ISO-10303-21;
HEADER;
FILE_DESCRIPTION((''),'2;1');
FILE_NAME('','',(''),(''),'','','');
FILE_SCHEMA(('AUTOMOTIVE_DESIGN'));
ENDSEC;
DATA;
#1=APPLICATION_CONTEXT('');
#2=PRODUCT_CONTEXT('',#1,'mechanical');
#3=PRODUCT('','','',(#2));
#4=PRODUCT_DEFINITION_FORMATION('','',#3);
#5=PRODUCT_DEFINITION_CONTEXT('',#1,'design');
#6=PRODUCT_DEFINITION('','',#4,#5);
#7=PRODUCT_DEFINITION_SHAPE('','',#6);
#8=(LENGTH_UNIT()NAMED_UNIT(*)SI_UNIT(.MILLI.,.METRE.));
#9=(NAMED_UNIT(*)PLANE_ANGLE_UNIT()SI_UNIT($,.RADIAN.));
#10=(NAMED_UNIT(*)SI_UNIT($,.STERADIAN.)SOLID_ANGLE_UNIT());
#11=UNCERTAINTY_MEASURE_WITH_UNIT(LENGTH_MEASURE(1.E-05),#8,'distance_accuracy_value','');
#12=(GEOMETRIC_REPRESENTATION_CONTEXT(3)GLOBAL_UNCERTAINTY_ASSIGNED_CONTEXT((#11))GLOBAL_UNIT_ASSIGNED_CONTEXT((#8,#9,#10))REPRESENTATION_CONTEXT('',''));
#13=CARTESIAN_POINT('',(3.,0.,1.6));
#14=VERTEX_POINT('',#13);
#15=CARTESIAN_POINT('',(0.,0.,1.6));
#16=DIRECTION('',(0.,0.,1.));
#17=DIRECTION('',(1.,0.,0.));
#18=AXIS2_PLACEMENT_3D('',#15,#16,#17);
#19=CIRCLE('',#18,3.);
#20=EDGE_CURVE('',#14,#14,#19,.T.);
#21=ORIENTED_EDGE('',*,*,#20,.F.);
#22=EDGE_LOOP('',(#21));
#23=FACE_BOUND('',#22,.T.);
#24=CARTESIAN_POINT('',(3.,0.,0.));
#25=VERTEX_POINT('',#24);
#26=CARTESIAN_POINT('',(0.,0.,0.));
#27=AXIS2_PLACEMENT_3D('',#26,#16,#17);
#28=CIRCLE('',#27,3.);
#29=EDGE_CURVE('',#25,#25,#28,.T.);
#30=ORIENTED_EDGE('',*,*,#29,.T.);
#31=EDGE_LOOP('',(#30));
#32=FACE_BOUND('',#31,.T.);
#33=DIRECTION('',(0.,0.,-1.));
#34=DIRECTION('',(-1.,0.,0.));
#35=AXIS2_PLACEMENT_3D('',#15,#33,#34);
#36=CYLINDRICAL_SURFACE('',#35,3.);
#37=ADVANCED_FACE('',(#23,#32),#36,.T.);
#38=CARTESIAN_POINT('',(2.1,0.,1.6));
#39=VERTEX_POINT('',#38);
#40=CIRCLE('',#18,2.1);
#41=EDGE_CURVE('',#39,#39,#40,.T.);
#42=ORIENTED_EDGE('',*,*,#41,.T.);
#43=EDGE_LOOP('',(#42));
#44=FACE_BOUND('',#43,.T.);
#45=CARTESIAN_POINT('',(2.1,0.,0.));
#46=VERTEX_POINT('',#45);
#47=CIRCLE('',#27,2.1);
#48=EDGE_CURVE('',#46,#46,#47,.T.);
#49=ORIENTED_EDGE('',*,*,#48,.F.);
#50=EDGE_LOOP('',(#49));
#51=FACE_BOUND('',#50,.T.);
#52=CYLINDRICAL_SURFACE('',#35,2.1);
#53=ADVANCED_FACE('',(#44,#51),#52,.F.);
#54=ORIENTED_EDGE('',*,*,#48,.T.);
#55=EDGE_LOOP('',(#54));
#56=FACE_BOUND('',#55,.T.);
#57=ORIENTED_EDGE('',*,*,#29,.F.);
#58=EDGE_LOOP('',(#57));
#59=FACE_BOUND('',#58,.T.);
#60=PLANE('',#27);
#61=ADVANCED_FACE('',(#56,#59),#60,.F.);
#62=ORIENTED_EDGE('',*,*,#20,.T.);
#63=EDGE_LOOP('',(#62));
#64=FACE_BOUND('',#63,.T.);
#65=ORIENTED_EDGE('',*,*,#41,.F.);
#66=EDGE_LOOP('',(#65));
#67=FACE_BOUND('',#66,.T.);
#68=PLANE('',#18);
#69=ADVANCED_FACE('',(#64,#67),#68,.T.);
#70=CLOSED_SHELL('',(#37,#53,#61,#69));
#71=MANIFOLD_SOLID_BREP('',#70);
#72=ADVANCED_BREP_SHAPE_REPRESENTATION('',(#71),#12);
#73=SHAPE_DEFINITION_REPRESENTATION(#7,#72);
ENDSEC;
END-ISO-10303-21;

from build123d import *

# Parameters (mm, degrees)
SKETCH_1_R      = 3
SKETCH_1_R_2    = 2.1
EXTRUDE_1_DEPTH = 1.6


with BuildPart() as part:
    # 草图1 → 凸台-拉伸1 (new body)
    with BuildSketch(Plane.XY):
        Circle(SKETCH_1_R)
        Circle(SKETCH_1_R_2, mode=Mode.SUBTRACT)
    extrude(amount=EXTRUDE_1_DEPTH)


solid = part.part
